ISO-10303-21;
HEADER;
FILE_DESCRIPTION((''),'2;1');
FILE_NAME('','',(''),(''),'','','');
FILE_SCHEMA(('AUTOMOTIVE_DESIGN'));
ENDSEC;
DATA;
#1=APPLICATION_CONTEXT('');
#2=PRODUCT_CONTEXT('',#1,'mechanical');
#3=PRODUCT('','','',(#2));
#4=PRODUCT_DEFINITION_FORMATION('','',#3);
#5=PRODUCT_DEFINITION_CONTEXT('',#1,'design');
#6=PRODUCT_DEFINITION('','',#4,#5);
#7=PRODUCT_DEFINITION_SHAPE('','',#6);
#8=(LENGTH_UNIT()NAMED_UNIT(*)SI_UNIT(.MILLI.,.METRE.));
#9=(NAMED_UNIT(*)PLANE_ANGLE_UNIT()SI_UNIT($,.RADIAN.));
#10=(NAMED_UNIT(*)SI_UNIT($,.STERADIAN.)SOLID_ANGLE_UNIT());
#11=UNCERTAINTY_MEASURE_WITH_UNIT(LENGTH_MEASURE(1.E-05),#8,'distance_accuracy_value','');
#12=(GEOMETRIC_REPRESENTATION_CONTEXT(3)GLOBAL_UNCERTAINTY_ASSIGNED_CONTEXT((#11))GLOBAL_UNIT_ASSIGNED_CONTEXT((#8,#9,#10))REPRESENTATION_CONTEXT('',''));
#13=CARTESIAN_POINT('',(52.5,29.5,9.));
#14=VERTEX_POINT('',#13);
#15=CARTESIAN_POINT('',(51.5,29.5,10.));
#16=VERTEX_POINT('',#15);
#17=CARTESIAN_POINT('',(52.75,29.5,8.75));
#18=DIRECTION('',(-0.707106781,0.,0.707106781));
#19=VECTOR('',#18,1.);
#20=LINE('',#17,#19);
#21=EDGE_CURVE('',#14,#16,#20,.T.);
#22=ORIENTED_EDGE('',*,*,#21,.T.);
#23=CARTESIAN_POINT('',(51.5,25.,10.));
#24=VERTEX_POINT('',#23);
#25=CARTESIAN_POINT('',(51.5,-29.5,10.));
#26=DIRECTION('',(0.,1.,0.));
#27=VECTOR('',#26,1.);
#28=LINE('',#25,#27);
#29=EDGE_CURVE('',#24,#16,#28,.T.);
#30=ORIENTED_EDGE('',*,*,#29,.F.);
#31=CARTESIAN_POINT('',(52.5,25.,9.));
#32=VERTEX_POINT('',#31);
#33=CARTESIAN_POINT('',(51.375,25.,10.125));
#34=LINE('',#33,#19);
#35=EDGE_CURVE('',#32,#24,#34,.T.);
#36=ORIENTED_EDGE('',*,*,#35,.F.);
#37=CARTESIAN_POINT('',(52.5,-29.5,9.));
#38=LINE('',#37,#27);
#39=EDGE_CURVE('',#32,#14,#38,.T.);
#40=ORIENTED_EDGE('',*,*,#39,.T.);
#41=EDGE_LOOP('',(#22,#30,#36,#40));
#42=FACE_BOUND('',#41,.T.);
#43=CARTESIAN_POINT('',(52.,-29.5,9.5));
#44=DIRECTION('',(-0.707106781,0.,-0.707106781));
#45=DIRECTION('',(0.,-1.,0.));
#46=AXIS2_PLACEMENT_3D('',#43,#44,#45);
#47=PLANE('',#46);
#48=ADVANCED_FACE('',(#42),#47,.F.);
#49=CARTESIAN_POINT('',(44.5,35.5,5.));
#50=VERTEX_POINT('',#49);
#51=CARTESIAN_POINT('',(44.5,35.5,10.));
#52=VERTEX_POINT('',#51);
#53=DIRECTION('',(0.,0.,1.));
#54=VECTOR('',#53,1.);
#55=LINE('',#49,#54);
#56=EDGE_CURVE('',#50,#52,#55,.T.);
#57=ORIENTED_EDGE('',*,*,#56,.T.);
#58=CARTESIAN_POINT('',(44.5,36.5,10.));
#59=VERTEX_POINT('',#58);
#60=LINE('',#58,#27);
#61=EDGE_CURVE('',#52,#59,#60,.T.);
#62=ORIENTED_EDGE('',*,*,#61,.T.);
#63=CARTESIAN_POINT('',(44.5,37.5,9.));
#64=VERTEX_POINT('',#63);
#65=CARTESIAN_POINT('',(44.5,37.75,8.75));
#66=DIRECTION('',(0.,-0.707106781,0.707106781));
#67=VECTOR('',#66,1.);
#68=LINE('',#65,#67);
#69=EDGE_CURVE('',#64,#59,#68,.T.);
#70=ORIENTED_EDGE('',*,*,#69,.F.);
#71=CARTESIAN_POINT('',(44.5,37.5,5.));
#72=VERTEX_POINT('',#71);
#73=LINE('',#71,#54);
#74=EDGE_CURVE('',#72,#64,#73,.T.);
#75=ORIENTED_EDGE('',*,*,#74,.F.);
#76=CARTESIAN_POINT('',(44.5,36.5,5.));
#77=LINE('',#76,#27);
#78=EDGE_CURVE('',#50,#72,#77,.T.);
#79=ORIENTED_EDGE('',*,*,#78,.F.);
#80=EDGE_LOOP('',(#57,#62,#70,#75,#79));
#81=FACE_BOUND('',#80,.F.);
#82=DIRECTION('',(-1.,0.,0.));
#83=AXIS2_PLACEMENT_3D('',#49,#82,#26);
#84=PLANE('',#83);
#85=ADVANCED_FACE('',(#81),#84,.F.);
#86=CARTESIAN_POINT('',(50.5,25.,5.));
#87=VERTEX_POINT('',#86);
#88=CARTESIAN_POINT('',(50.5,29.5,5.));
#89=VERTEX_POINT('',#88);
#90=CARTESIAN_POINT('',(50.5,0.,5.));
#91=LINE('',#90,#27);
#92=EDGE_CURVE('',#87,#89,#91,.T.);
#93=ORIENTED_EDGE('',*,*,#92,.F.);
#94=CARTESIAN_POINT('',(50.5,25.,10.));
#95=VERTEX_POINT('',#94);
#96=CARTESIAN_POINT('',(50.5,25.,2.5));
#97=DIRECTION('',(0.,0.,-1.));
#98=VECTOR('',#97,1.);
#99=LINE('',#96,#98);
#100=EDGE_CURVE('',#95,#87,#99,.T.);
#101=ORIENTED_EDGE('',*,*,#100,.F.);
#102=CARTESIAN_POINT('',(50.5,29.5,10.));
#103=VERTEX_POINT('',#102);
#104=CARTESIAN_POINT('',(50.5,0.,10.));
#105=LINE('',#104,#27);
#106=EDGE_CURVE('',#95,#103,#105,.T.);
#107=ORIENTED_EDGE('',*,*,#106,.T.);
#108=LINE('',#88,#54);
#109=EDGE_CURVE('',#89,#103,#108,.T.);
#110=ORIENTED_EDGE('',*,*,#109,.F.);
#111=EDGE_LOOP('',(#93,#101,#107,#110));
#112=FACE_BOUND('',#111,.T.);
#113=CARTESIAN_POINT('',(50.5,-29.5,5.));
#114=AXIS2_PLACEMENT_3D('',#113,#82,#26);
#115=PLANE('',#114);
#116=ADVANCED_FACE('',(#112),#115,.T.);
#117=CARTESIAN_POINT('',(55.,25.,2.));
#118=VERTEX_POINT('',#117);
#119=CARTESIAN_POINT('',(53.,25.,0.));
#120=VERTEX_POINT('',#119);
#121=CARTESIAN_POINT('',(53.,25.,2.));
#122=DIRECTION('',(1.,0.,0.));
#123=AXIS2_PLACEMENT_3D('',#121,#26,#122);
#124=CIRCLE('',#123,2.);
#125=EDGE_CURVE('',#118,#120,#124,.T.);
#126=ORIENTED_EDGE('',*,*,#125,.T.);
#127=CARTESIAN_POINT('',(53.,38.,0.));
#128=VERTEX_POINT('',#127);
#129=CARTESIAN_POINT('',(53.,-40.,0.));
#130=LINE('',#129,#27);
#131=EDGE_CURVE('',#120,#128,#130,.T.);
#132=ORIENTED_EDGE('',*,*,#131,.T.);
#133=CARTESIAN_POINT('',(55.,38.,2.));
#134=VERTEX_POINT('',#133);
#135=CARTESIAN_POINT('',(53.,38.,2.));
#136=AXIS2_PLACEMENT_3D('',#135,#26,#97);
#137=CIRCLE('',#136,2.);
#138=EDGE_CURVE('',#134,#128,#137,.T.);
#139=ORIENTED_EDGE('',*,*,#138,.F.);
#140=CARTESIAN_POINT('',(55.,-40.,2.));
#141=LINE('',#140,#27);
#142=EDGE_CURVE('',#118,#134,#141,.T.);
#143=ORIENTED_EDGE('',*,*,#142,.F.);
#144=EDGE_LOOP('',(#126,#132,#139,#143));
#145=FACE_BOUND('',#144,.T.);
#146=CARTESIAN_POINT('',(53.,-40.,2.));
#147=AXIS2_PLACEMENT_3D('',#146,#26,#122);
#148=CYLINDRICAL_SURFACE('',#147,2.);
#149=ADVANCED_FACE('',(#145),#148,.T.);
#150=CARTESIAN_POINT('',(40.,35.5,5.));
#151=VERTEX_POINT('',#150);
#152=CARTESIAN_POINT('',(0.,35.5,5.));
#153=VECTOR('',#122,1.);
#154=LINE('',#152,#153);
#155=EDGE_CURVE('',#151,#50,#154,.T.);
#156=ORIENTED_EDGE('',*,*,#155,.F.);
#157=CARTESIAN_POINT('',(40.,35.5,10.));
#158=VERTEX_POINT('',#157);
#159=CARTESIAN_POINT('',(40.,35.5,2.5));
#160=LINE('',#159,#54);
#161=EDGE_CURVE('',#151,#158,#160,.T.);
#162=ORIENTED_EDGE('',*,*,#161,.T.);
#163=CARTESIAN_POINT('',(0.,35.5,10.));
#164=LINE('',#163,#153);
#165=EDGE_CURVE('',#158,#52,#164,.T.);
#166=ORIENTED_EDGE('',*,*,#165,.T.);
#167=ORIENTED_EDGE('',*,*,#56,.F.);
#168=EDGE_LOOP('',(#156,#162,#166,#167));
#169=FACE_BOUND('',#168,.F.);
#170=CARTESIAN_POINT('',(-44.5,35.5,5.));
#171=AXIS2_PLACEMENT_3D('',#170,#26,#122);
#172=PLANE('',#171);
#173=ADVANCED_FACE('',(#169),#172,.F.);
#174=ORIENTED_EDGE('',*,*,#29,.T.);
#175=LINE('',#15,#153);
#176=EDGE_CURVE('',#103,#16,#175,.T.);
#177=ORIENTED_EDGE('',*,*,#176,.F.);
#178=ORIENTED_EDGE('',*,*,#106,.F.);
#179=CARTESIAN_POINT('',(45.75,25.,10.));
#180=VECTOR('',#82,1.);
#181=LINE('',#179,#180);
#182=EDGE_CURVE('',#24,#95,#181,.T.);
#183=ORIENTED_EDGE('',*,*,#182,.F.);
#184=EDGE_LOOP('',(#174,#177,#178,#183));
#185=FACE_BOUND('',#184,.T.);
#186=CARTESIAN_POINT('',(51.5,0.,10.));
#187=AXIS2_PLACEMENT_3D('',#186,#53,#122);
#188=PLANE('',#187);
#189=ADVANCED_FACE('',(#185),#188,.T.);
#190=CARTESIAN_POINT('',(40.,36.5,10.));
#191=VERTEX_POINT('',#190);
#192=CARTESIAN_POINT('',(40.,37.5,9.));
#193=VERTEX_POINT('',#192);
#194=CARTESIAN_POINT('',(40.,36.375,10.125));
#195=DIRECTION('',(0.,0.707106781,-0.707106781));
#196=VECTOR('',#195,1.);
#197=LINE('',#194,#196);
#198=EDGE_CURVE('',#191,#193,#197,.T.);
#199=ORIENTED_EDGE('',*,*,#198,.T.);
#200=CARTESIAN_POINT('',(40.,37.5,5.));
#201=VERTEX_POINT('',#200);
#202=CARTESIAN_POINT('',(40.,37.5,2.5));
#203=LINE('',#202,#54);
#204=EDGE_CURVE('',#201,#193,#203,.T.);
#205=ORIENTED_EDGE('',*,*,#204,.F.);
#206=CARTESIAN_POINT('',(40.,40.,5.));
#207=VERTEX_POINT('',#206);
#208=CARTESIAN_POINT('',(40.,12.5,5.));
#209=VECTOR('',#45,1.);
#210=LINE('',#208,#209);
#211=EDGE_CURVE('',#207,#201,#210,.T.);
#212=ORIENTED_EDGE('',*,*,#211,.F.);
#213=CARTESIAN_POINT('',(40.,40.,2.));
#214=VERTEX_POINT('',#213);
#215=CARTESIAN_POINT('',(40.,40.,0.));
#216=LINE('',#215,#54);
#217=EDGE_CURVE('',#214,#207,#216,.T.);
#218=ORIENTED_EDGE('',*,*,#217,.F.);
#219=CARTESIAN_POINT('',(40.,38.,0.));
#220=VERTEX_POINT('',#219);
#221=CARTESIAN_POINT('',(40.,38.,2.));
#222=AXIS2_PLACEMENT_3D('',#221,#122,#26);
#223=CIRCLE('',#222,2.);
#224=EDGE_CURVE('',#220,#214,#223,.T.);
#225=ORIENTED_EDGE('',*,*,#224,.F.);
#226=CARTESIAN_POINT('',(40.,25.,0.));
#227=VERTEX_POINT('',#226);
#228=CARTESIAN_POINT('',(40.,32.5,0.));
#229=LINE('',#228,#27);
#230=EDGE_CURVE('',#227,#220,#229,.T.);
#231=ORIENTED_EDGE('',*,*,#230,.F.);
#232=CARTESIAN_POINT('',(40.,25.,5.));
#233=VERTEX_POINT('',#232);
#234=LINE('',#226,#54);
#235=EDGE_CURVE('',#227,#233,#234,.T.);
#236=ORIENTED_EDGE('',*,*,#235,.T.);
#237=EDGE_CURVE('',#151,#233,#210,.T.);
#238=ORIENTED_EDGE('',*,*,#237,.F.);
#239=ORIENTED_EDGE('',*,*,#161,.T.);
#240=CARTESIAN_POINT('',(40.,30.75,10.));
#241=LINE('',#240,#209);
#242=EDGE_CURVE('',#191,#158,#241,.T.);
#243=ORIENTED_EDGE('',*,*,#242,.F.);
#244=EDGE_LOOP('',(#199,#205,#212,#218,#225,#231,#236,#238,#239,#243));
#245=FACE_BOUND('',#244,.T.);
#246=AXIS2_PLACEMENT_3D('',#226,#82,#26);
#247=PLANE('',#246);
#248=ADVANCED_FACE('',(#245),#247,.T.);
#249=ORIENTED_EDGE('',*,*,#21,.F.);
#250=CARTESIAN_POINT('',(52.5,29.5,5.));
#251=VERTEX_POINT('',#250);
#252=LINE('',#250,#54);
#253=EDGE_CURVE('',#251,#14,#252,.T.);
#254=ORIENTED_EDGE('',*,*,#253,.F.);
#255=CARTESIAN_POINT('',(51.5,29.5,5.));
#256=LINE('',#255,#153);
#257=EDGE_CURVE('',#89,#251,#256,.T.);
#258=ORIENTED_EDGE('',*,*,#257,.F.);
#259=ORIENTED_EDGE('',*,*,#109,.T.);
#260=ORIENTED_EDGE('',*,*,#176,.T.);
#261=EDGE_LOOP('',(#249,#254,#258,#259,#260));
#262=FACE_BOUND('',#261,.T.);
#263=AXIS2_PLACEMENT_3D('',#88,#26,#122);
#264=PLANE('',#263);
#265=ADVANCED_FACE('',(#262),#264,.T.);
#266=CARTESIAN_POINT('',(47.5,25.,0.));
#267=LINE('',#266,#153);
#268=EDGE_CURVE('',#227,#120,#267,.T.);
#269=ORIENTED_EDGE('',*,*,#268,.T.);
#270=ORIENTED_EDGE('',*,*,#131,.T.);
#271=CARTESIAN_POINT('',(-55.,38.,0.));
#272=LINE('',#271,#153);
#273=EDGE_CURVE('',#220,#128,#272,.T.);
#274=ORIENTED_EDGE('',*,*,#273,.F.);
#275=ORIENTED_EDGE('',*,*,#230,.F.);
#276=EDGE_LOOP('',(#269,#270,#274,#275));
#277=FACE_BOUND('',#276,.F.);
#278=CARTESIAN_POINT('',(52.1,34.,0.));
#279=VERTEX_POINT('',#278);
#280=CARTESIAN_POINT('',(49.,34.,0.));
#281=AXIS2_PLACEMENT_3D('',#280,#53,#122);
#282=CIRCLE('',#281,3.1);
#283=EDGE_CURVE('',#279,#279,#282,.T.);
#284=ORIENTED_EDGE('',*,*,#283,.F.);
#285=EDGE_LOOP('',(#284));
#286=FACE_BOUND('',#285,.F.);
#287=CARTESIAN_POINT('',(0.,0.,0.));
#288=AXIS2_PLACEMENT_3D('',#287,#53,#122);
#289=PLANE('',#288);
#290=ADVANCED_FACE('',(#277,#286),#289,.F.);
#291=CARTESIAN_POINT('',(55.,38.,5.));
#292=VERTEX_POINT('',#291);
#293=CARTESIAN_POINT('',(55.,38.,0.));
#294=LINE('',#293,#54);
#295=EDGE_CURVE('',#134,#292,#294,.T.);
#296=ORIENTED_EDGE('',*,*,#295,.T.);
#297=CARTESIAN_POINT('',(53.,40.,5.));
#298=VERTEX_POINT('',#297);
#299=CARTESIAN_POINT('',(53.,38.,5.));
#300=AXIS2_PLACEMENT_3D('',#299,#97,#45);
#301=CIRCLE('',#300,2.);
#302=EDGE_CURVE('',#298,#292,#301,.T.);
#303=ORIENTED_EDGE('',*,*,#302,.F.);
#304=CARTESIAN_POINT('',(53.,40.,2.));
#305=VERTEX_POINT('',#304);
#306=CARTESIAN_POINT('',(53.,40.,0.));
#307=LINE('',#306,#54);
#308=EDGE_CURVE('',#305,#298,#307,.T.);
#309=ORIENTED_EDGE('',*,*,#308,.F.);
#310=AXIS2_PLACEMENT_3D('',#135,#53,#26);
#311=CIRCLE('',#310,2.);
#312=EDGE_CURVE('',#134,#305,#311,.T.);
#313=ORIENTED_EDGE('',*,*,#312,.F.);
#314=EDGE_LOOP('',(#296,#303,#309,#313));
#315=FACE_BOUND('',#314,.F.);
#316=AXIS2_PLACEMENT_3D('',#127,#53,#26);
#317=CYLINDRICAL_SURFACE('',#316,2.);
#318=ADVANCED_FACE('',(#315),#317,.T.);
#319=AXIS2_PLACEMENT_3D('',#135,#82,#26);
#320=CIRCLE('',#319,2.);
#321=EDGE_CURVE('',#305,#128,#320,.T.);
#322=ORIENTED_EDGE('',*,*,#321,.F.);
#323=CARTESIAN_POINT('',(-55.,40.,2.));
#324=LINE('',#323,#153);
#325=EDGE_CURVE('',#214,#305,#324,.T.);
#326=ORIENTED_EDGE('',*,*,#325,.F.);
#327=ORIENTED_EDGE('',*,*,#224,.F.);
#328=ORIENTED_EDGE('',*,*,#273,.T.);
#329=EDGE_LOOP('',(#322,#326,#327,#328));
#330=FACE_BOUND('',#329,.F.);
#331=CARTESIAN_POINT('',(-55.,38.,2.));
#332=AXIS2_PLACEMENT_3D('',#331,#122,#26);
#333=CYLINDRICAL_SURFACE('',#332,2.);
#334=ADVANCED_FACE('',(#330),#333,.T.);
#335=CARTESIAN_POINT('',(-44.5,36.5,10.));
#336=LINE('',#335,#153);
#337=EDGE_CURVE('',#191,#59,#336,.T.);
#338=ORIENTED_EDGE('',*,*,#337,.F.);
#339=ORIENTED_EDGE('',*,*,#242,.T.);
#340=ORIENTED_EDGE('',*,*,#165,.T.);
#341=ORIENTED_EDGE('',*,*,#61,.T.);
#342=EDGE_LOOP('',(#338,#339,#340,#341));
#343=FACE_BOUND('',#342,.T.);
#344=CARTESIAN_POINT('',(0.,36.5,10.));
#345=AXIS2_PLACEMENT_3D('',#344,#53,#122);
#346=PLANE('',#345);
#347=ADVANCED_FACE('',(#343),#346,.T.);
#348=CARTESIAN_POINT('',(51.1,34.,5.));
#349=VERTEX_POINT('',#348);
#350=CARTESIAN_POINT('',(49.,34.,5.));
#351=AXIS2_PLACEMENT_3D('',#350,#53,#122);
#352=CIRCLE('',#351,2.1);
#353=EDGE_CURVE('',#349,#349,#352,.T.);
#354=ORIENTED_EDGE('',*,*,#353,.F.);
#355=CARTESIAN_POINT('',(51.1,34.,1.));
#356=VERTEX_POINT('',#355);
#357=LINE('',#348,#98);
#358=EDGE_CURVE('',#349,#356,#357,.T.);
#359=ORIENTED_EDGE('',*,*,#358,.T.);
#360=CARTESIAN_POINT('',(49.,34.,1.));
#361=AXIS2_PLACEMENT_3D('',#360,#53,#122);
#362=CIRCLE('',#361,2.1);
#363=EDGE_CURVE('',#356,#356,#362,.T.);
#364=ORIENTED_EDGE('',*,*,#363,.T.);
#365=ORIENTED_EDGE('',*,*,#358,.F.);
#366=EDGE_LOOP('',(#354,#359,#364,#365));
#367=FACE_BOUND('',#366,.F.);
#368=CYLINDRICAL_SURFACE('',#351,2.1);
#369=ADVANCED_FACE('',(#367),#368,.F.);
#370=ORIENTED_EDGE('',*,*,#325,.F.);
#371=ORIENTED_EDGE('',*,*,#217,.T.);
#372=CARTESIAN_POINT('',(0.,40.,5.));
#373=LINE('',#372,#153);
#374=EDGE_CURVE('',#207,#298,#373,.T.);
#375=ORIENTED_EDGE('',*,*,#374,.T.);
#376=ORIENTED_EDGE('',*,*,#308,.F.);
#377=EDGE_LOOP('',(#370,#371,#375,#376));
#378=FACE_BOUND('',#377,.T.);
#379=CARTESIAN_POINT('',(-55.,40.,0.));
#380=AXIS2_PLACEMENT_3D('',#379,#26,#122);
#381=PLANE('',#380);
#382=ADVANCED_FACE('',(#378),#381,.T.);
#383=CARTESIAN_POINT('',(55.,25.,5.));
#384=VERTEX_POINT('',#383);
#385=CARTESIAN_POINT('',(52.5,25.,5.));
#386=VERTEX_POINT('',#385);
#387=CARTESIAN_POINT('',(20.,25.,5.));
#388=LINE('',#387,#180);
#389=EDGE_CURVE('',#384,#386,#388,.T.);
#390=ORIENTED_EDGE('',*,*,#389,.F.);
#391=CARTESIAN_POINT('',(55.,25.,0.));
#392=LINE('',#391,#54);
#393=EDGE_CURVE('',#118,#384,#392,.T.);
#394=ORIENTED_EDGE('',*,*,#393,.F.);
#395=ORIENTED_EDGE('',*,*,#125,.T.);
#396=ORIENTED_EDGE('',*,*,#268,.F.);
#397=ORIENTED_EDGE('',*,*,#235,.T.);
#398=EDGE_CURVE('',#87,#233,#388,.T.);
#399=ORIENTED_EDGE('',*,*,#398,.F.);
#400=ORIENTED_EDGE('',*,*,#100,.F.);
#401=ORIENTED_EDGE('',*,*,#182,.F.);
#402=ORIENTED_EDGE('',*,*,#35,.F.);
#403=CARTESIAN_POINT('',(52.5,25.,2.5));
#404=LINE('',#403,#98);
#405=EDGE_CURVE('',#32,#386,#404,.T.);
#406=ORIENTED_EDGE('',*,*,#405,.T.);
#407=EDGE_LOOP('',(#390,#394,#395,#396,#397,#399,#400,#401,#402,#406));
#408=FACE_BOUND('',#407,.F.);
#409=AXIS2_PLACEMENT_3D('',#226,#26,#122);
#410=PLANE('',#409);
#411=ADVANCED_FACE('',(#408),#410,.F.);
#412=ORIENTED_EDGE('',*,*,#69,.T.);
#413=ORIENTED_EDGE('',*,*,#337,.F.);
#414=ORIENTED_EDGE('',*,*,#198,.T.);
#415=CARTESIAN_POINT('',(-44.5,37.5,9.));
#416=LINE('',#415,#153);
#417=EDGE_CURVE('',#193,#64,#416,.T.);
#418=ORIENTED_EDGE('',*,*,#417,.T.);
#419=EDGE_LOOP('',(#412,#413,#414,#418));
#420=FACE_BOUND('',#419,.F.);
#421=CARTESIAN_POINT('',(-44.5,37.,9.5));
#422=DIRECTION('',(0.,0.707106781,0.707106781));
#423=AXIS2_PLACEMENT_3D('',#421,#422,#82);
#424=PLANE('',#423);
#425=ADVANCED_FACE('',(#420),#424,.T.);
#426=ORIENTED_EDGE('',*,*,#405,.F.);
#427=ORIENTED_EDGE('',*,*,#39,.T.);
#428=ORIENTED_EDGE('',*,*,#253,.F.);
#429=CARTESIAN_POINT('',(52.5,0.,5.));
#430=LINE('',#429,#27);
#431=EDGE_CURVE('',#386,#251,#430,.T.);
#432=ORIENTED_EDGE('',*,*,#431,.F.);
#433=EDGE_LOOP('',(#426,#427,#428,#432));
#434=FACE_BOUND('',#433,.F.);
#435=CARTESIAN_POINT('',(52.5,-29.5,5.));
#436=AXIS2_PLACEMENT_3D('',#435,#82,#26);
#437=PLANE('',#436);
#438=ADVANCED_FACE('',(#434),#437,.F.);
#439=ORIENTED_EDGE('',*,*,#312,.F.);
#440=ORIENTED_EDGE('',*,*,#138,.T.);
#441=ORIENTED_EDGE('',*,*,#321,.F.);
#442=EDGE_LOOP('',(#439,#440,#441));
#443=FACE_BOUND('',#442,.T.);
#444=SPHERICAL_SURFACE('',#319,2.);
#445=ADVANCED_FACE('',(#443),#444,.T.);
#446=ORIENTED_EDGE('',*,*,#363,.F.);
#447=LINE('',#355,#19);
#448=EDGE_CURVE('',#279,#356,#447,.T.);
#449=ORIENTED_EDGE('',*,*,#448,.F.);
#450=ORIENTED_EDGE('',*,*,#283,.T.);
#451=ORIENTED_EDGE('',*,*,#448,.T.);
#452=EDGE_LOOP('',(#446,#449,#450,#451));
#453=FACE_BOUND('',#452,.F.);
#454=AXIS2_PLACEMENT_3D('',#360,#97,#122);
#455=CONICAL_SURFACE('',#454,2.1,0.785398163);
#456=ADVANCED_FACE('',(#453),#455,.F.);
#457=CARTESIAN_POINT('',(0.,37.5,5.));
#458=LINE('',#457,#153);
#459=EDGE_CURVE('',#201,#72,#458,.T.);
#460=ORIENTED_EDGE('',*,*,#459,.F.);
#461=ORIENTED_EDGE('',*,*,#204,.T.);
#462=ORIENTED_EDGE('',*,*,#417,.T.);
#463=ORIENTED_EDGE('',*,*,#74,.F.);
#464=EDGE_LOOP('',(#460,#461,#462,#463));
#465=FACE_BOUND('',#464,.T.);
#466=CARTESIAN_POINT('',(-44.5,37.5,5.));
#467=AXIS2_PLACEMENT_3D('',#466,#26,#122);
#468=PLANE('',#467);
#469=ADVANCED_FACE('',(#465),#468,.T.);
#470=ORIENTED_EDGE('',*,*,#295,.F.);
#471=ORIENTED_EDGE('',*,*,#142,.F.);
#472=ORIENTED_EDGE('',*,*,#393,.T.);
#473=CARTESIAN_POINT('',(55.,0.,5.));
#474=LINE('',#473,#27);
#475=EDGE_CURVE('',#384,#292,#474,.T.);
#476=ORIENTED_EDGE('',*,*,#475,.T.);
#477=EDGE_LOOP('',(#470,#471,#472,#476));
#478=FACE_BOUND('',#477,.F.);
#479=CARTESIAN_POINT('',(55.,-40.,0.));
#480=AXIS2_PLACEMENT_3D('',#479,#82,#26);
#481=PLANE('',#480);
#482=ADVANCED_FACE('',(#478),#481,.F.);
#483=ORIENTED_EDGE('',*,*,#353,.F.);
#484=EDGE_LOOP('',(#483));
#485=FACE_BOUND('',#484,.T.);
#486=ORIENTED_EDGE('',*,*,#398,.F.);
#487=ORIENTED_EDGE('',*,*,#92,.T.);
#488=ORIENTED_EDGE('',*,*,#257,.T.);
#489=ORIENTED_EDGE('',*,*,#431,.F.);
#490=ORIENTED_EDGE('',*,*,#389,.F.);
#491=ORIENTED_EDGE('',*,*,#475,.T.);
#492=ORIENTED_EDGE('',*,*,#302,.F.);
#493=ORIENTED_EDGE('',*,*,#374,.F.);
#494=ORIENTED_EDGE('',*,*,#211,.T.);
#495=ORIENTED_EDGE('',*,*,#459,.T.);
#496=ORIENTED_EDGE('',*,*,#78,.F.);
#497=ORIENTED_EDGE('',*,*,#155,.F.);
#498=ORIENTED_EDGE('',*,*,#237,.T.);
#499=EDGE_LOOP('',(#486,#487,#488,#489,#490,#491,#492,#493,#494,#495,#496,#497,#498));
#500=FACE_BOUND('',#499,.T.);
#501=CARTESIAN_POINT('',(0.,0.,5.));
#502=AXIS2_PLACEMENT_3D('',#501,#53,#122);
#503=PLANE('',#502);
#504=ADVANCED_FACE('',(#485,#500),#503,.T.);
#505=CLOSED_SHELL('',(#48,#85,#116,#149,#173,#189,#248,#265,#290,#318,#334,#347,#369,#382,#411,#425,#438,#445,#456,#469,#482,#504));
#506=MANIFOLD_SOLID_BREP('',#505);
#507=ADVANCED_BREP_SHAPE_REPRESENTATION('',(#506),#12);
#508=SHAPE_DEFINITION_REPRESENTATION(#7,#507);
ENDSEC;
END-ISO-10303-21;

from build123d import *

# Parameters (mm, degrees)
BOX_W           = 15
BOX_H           = 15
BOX_DEPTH       = 15
SKETCH_W        = 110
SKETCH_H        = 80
PAD_DEPTH       = 5
SKETCH001_R     = 2.1
POCKET_DEPTH    = 5
CHAMFER_SIZE    = 1
SKETCH002_W     = 89
SKETCH002_H     = 2
SKETCH002_W_2   = 2
SKETCH002_H_2   = 59
PAD001_DEPTH    = 5
CHAMFER001_SIZE = 1
FILLET_R        = 2


with BuildPart() as cube:
    # Box → Box (new body)
    with BuildSketch(Plane(origin=(40, 25, 0), x_dir=(1, 0, 0), z_dir=(0, 0, 1))):
        with Locations((7.5, 7.5)):
            Rectangle(BOX_W, BOX_H)
    extrude(amount=BOX_DEPTH)


with BuildPart() as common:
    # Sketch → Pad (new body)
    with BuildSketch(Plane.XY):
        Rectangle(SKETCH_W, SKETCH_H)
    extrude(amount=PAD_DEPTH)

    # Sketch001 (on Face6 of Pad) → Pocket (cut)
    with BuildSketch(Plane.XY.offset(5)):
        with Locations((49, 34)):
            Circle(SKETCH001_R)
        with Locations((-49, 34)):
            Circle(SKETCH001_R)
        with Locations((-49, -34)):
            Circle(SKETCH001_R)
        with Locations((49, -34)):
            Circle(SKETCH001_R)
    extrude(amount=-POCKET_DEPTH, mode=Mode.SUBTRACT)

    # Chamfer
    chamfer_edges = [common.edges().sort_by_distance(p)[0] for p in [
        (-51.1, -34, 0),
        (-51.1, 34, 0),
        (46.9, 34, 0),
        (46.9, -34, 0),
    ]]
    chamfer(chamfer_edges, length=CHAMFER_SIZE)

    # Sketch002 (on Face11 of Chamfer) → Pad001 (join)
    with BuildSketch(Plane.XY.offset(5)):
        with Locations((0, 36.5)):
            Rectangle(SKETCH002_W, SKETCH002_H)
        with Locations((0, -36.5)):
            Rectangle(SKETCH002_W, SKETCH002_H)
        with Locations((51.5, 0)):
            Rectangle(SKETCH002_W_2, SKETCH002_H_2)
        with Locations((-51.5, 0)):
            Rectangle(SKETCH002_W_2, SKETCH002_H_2)
    extrude(amount=PAD001_DEPTH)

    # Chamfer001
    chamfer001_edges = [common.edges().sort_by_distance(p)[0] for p in [
        (-52.5, 0, 10),
        (0, 37.5, 10),
        (52.5, 0, 10),
        (0, -37.5, 10),
    ]]
    chamfer(chamfer001_edges, length=CHAMFER001_SIZE)

    # Fillet
    fillet_edges = [common.edges().sort_by_distance(p)[0] for p in [
        (-55, -40, 2.5),
        (-55, 0, 0),
        (-55, 40, 2.5),
        (0, 40, 0),
        (55, 40, 2.5),
        (55, 0, 0),
        (55, -40, 2.5),
        (0, -40, 0),
    ]]
    fillet(fillet_edges, radius=FILLET_R)

    # Common: intersect Cube
    add(cube.part, mode=Mode.INTERSECT)


solid = common.part
